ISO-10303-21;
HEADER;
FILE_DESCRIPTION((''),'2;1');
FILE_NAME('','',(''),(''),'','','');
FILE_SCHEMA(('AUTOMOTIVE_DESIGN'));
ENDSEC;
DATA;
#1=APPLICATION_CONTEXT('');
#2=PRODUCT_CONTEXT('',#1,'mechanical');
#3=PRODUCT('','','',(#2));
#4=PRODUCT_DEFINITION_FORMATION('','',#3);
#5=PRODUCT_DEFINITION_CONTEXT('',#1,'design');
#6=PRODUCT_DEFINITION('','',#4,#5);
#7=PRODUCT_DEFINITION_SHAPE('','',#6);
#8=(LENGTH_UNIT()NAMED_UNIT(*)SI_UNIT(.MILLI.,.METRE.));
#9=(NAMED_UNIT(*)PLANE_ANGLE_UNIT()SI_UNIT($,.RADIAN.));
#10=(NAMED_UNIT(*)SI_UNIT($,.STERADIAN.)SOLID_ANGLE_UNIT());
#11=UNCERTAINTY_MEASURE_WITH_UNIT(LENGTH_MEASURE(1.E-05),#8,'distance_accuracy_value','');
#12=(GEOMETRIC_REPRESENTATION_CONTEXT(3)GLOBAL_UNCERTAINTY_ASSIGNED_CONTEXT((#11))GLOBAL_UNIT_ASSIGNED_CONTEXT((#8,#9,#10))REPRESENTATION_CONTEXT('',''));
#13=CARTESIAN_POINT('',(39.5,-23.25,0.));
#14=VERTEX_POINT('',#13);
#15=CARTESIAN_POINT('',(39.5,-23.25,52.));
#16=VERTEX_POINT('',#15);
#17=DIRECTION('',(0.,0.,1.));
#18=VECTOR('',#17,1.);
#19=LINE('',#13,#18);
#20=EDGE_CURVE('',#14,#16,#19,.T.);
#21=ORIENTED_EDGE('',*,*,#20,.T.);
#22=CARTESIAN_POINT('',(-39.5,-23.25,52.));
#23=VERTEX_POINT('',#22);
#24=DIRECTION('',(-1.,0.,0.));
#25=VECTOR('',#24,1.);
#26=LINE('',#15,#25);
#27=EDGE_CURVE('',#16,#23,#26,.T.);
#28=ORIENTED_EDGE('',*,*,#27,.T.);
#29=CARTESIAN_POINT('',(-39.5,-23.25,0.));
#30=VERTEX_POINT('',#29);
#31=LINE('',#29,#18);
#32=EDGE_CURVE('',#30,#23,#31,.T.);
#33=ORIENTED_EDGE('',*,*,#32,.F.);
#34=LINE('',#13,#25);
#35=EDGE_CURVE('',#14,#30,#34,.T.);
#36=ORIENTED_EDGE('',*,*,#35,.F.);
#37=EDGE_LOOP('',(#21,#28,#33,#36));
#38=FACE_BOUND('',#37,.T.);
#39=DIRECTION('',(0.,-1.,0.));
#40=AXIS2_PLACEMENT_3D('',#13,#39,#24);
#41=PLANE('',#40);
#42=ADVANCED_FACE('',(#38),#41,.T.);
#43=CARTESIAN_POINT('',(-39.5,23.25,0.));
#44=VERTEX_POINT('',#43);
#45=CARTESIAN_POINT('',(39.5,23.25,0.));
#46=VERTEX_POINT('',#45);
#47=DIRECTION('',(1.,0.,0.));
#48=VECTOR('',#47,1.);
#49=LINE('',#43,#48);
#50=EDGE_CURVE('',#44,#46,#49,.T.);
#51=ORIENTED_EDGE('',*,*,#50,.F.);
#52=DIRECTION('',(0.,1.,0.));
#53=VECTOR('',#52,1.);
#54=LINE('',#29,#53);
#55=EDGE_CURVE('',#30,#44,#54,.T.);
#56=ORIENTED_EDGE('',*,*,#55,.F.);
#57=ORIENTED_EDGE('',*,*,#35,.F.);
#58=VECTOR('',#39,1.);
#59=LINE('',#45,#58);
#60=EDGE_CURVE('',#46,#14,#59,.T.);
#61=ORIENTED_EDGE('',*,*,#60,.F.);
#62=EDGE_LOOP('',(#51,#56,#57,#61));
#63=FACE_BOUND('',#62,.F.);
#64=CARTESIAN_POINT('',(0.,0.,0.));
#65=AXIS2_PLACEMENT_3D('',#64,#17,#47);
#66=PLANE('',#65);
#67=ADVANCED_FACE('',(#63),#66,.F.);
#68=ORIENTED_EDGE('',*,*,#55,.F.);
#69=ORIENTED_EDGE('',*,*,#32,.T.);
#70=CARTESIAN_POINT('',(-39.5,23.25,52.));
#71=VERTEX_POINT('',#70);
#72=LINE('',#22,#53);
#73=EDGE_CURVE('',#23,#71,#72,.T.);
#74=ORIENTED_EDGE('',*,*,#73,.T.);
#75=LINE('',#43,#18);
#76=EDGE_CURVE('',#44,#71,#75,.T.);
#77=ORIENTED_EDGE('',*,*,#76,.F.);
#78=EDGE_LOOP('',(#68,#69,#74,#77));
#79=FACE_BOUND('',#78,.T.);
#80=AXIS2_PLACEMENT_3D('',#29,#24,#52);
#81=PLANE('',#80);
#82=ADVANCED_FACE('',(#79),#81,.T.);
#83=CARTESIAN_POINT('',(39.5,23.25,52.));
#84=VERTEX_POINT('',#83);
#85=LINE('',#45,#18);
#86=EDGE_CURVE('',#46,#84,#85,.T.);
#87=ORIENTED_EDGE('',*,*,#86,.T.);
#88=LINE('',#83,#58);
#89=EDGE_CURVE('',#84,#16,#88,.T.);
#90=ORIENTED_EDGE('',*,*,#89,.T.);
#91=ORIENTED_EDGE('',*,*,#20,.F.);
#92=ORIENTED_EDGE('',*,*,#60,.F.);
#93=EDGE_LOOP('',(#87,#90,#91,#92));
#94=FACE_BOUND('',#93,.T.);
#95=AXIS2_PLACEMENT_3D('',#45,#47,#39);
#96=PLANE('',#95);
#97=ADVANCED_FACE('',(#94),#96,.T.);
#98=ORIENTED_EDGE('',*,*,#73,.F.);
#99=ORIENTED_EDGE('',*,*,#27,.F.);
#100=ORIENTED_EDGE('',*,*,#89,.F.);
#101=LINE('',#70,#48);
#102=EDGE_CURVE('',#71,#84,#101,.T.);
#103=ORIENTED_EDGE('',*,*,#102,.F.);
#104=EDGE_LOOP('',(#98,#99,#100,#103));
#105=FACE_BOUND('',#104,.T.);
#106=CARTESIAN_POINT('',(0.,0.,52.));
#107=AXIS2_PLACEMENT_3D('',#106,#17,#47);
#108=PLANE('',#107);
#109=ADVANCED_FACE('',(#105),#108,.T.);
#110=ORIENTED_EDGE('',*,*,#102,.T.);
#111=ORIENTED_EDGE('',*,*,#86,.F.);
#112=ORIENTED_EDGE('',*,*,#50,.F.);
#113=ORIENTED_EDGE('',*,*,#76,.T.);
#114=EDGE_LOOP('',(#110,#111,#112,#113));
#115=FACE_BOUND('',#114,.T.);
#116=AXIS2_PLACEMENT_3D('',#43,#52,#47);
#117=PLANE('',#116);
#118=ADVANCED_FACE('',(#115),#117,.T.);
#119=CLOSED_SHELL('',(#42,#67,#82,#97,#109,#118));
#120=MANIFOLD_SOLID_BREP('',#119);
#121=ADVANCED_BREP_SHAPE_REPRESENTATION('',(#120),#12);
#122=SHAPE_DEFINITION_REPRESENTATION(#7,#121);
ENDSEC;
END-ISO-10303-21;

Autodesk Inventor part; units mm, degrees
ref_plane "YZ Plane" through (0, 0, 0) normal (1, 0, 0) x (0, 1, 0)
ref_plane "XZ Plane" through (0, 0, 0) normal (0, 1, 0) x (-1, 0, 0)
ref_plane "XY Plane" through (0, 0, 0) normal (0, 0, 1) x (1, 0, 0)
sketch "Sketch1" plane through (0, 0, 0) normal (0, 0, 1) x (1, 0, 0)
  line L0 (-39.5, 23.25) -> (39.5, 23.25)
  line L1 (39.5, 23.25) -> (39.5, -23.25)
  line L2 (39.5, -23.25) -> (-39.5, -23.25)
  line L3 (-39.5, -23.25) -> (-39.5, 23.25)
  line L4 (-39.5, 23.25) -> (39.5, -23.25) construction
  line L5 (39.5, 23.25) -> (-39.5, -23.25) construction
  point P0 (0, 0)
  dimension "d0" = 79
  dimension "d1" = 46.5
extrude "Extrusion1" add sketch "Sketch1" along normal blind 52
properties part number "HobbyWing EZRUN 150A Pro"
